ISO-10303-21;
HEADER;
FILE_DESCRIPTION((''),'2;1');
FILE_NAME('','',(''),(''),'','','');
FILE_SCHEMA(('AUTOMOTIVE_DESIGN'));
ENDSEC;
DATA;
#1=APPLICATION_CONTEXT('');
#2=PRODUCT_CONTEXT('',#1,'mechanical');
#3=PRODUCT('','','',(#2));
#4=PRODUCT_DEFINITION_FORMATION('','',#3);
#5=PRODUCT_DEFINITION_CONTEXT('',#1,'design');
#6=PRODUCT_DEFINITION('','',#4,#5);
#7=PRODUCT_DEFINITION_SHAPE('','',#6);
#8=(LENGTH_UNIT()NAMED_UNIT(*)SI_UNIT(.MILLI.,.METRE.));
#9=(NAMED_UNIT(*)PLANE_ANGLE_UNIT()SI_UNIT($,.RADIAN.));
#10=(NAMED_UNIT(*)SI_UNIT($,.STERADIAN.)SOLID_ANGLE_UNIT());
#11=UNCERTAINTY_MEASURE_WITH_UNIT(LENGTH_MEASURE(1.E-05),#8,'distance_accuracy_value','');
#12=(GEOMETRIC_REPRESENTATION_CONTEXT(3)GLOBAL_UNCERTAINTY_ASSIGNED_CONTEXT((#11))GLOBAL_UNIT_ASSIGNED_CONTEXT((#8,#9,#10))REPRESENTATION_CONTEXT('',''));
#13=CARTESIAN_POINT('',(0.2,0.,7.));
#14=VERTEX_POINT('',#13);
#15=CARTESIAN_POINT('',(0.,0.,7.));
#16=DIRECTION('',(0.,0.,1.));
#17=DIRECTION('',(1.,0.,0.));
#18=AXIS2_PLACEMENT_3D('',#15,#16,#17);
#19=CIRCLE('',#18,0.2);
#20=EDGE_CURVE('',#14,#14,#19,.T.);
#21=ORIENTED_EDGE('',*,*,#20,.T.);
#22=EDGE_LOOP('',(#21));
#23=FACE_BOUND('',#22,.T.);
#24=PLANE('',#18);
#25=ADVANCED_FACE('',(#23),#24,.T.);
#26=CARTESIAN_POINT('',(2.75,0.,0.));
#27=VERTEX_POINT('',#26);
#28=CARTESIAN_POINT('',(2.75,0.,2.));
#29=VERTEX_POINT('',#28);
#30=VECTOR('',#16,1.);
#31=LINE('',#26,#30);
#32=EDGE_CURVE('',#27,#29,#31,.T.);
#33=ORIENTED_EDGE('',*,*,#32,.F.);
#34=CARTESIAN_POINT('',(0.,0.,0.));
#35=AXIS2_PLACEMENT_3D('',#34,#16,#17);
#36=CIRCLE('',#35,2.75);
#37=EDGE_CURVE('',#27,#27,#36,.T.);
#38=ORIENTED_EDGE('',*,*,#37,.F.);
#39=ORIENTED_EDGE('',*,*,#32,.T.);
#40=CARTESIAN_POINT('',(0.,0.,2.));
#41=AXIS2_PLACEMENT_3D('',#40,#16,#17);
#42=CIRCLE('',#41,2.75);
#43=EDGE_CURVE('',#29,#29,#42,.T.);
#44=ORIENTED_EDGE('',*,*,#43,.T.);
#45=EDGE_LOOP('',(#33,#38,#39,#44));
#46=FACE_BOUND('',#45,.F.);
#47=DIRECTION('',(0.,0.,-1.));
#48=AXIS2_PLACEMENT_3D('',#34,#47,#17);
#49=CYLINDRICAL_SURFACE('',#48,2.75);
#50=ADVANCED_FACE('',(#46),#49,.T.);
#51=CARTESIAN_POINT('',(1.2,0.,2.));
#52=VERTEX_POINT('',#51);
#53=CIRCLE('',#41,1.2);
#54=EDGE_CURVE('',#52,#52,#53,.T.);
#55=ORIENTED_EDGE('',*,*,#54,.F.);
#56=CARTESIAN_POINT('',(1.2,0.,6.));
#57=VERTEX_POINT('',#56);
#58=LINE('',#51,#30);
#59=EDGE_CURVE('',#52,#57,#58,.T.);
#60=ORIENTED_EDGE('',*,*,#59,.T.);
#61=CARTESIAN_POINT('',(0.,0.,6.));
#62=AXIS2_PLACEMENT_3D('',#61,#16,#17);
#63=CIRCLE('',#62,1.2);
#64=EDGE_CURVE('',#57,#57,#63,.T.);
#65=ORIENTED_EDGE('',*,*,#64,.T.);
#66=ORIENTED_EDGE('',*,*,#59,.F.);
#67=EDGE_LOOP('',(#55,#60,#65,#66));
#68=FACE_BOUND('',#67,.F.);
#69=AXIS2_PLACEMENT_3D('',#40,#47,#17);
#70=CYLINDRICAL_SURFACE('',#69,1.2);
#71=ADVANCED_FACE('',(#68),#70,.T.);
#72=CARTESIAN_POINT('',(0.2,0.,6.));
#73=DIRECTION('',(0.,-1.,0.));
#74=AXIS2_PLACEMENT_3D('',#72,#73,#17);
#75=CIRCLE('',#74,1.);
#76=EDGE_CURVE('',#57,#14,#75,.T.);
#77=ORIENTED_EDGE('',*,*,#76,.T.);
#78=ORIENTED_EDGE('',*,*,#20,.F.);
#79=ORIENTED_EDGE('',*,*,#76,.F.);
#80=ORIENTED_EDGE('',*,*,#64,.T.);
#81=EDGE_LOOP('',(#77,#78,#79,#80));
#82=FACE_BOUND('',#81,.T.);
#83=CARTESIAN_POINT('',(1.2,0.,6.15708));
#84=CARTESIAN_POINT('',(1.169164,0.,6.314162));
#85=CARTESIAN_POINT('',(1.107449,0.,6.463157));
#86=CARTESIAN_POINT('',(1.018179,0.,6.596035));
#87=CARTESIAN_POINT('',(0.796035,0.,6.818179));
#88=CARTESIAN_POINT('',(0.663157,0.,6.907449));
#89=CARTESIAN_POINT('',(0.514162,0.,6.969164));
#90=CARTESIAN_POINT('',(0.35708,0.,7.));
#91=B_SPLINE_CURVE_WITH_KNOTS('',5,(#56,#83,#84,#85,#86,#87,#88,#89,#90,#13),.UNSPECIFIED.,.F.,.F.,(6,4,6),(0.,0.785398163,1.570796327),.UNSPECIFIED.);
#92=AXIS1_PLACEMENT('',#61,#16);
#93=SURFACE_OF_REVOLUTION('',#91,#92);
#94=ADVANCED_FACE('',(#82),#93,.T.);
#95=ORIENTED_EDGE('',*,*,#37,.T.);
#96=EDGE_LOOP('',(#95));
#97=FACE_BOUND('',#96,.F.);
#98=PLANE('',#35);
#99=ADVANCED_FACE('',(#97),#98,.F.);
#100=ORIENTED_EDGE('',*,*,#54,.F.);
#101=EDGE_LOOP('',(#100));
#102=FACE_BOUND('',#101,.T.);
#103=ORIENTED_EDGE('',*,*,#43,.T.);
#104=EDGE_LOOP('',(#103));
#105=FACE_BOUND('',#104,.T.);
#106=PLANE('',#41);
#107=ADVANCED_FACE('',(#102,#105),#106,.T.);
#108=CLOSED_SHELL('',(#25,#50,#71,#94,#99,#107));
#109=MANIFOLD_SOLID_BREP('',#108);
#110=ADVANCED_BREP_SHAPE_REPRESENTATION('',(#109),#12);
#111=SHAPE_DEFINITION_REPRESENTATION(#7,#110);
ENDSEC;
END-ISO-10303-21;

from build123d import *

# Parameters (mm, degrees)
SKETCH_R     = 2.75
PAD_DEPTH    = 2
SKETCH001_R  = 1.2
PAD001_DEPTH = 5
FILLET_R     = 1


with BuildPart() as part:
    # Sketch → Pad (new body)
    with BuildSketch(Plane.XY):
        Circle(SKETCH_R)
    extrude(amount=PAD_DEPTH)

    # Sketch001 (on Face3 of Pad) → Pad001 (join)
    with BuildSketch(Plane.XY.offset(2)):
        Circle(SKETCH001_R)
    extrude(amount=PAD001_DEPTH)

    # Fillet
    fillet_edges = [part.edges().sort_by_distance(p)[0] for p in [
        (-1.2, 0, 7),
    ]]
    fillet(fillet_edges, radius=FILLET_R)


solid = part.part
